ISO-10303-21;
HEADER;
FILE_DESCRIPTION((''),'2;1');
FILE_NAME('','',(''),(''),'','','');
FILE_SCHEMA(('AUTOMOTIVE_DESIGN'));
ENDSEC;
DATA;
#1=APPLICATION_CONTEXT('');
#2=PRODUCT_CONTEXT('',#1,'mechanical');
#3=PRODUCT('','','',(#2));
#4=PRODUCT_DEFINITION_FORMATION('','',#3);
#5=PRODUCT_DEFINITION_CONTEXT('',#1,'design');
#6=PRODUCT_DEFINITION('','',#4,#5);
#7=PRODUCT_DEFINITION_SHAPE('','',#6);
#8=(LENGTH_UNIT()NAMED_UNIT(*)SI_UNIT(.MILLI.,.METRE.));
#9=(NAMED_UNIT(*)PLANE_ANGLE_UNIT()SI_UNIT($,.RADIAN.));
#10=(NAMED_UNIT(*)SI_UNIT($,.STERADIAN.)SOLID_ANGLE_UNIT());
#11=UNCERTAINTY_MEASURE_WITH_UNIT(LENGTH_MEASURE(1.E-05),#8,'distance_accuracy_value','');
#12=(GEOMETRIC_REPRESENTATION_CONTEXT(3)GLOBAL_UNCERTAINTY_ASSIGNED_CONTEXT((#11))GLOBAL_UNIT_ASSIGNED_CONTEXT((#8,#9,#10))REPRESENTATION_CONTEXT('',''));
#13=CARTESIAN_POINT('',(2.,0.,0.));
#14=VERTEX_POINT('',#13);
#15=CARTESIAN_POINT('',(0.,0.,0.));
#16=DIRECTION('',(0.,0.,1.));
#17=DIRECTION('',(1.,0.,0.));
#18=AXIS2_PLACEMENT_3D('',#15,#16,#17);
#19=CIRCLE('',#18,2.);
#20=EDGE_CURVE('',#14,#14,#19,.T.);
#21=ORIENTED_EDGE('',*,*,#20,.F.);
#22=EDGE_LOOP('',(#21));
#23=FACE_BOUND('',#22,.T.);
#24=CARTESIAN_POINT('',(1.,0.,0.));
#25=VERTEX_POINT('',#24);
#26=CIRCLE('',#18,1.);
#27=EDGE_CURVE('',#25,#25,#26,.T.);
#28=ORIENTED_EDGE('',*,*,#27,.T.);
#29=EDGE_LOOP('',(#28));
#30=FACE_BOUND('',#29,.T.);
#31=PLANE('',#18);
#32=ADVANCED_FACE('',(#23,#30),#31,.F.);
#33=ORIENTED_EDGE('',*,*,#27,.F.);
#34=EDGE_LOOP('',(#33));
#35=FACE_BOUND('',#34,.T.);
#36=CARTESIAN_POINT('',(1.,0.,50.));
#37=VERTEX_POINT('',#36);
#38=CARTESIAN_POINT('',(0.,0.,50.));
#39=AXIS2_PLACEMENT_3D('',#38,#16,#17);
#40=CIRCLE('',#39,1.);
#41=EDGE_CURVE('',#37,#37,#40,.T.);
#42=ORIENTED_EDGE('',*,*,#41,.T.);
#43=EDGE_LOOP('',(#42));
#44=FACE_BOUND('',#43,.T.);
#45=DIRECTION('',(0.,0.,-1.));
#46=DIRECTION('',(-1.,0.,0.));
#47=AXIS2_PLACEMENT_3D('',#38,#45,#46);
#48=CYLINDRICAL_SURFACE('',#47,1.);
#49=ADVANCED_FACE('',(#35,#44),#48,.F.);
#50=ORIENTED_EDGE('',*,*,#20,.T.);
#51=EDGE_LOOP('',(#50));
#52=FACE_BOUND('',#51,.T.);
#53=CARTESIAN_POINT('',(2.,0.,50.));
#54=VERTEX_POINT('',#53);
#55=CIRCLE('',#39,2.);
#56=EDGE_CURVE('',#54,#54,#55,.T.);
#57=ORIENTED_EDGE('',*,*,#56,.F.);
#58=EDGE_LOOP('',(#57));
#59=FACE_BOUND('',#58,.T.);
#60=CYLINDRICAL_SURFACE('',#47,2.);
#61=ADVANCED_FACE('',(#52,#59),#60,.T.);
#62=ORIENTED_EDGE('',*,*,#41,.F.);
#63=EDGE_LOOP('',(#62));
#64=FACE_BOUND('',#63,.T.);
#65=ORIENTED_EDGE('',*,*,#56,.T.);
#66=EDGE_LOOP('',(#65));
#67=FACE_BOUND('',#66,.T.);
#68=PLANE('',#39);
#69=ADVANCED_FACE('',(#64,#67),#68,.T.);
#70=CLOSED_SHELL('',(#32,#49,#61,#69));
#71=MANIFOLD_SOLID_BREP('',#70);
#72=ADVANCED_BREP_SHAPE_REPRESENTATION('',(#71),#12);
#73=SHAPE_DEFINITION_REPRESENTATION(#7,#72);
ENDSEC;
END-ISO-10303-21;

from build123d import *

# Parameters (mm, degrees)
SKETCH1_R           = 2
SKETCH1_R_2         = 1
BOSS_EXTRUDE1_DEPTH = 50


with BuildPart() as part:
    # Sketch1 → Boss-Extrude1 (new body)
    with BuildSketch(Plane.XY):
        Circle(SKETCH1_R)
        Circle(SKETCH1_R_2, mode=Mode.SUBTRACT)
    extrude(amount=BOSS_EXTRUDE1_DEPTH)


solid = part.part
